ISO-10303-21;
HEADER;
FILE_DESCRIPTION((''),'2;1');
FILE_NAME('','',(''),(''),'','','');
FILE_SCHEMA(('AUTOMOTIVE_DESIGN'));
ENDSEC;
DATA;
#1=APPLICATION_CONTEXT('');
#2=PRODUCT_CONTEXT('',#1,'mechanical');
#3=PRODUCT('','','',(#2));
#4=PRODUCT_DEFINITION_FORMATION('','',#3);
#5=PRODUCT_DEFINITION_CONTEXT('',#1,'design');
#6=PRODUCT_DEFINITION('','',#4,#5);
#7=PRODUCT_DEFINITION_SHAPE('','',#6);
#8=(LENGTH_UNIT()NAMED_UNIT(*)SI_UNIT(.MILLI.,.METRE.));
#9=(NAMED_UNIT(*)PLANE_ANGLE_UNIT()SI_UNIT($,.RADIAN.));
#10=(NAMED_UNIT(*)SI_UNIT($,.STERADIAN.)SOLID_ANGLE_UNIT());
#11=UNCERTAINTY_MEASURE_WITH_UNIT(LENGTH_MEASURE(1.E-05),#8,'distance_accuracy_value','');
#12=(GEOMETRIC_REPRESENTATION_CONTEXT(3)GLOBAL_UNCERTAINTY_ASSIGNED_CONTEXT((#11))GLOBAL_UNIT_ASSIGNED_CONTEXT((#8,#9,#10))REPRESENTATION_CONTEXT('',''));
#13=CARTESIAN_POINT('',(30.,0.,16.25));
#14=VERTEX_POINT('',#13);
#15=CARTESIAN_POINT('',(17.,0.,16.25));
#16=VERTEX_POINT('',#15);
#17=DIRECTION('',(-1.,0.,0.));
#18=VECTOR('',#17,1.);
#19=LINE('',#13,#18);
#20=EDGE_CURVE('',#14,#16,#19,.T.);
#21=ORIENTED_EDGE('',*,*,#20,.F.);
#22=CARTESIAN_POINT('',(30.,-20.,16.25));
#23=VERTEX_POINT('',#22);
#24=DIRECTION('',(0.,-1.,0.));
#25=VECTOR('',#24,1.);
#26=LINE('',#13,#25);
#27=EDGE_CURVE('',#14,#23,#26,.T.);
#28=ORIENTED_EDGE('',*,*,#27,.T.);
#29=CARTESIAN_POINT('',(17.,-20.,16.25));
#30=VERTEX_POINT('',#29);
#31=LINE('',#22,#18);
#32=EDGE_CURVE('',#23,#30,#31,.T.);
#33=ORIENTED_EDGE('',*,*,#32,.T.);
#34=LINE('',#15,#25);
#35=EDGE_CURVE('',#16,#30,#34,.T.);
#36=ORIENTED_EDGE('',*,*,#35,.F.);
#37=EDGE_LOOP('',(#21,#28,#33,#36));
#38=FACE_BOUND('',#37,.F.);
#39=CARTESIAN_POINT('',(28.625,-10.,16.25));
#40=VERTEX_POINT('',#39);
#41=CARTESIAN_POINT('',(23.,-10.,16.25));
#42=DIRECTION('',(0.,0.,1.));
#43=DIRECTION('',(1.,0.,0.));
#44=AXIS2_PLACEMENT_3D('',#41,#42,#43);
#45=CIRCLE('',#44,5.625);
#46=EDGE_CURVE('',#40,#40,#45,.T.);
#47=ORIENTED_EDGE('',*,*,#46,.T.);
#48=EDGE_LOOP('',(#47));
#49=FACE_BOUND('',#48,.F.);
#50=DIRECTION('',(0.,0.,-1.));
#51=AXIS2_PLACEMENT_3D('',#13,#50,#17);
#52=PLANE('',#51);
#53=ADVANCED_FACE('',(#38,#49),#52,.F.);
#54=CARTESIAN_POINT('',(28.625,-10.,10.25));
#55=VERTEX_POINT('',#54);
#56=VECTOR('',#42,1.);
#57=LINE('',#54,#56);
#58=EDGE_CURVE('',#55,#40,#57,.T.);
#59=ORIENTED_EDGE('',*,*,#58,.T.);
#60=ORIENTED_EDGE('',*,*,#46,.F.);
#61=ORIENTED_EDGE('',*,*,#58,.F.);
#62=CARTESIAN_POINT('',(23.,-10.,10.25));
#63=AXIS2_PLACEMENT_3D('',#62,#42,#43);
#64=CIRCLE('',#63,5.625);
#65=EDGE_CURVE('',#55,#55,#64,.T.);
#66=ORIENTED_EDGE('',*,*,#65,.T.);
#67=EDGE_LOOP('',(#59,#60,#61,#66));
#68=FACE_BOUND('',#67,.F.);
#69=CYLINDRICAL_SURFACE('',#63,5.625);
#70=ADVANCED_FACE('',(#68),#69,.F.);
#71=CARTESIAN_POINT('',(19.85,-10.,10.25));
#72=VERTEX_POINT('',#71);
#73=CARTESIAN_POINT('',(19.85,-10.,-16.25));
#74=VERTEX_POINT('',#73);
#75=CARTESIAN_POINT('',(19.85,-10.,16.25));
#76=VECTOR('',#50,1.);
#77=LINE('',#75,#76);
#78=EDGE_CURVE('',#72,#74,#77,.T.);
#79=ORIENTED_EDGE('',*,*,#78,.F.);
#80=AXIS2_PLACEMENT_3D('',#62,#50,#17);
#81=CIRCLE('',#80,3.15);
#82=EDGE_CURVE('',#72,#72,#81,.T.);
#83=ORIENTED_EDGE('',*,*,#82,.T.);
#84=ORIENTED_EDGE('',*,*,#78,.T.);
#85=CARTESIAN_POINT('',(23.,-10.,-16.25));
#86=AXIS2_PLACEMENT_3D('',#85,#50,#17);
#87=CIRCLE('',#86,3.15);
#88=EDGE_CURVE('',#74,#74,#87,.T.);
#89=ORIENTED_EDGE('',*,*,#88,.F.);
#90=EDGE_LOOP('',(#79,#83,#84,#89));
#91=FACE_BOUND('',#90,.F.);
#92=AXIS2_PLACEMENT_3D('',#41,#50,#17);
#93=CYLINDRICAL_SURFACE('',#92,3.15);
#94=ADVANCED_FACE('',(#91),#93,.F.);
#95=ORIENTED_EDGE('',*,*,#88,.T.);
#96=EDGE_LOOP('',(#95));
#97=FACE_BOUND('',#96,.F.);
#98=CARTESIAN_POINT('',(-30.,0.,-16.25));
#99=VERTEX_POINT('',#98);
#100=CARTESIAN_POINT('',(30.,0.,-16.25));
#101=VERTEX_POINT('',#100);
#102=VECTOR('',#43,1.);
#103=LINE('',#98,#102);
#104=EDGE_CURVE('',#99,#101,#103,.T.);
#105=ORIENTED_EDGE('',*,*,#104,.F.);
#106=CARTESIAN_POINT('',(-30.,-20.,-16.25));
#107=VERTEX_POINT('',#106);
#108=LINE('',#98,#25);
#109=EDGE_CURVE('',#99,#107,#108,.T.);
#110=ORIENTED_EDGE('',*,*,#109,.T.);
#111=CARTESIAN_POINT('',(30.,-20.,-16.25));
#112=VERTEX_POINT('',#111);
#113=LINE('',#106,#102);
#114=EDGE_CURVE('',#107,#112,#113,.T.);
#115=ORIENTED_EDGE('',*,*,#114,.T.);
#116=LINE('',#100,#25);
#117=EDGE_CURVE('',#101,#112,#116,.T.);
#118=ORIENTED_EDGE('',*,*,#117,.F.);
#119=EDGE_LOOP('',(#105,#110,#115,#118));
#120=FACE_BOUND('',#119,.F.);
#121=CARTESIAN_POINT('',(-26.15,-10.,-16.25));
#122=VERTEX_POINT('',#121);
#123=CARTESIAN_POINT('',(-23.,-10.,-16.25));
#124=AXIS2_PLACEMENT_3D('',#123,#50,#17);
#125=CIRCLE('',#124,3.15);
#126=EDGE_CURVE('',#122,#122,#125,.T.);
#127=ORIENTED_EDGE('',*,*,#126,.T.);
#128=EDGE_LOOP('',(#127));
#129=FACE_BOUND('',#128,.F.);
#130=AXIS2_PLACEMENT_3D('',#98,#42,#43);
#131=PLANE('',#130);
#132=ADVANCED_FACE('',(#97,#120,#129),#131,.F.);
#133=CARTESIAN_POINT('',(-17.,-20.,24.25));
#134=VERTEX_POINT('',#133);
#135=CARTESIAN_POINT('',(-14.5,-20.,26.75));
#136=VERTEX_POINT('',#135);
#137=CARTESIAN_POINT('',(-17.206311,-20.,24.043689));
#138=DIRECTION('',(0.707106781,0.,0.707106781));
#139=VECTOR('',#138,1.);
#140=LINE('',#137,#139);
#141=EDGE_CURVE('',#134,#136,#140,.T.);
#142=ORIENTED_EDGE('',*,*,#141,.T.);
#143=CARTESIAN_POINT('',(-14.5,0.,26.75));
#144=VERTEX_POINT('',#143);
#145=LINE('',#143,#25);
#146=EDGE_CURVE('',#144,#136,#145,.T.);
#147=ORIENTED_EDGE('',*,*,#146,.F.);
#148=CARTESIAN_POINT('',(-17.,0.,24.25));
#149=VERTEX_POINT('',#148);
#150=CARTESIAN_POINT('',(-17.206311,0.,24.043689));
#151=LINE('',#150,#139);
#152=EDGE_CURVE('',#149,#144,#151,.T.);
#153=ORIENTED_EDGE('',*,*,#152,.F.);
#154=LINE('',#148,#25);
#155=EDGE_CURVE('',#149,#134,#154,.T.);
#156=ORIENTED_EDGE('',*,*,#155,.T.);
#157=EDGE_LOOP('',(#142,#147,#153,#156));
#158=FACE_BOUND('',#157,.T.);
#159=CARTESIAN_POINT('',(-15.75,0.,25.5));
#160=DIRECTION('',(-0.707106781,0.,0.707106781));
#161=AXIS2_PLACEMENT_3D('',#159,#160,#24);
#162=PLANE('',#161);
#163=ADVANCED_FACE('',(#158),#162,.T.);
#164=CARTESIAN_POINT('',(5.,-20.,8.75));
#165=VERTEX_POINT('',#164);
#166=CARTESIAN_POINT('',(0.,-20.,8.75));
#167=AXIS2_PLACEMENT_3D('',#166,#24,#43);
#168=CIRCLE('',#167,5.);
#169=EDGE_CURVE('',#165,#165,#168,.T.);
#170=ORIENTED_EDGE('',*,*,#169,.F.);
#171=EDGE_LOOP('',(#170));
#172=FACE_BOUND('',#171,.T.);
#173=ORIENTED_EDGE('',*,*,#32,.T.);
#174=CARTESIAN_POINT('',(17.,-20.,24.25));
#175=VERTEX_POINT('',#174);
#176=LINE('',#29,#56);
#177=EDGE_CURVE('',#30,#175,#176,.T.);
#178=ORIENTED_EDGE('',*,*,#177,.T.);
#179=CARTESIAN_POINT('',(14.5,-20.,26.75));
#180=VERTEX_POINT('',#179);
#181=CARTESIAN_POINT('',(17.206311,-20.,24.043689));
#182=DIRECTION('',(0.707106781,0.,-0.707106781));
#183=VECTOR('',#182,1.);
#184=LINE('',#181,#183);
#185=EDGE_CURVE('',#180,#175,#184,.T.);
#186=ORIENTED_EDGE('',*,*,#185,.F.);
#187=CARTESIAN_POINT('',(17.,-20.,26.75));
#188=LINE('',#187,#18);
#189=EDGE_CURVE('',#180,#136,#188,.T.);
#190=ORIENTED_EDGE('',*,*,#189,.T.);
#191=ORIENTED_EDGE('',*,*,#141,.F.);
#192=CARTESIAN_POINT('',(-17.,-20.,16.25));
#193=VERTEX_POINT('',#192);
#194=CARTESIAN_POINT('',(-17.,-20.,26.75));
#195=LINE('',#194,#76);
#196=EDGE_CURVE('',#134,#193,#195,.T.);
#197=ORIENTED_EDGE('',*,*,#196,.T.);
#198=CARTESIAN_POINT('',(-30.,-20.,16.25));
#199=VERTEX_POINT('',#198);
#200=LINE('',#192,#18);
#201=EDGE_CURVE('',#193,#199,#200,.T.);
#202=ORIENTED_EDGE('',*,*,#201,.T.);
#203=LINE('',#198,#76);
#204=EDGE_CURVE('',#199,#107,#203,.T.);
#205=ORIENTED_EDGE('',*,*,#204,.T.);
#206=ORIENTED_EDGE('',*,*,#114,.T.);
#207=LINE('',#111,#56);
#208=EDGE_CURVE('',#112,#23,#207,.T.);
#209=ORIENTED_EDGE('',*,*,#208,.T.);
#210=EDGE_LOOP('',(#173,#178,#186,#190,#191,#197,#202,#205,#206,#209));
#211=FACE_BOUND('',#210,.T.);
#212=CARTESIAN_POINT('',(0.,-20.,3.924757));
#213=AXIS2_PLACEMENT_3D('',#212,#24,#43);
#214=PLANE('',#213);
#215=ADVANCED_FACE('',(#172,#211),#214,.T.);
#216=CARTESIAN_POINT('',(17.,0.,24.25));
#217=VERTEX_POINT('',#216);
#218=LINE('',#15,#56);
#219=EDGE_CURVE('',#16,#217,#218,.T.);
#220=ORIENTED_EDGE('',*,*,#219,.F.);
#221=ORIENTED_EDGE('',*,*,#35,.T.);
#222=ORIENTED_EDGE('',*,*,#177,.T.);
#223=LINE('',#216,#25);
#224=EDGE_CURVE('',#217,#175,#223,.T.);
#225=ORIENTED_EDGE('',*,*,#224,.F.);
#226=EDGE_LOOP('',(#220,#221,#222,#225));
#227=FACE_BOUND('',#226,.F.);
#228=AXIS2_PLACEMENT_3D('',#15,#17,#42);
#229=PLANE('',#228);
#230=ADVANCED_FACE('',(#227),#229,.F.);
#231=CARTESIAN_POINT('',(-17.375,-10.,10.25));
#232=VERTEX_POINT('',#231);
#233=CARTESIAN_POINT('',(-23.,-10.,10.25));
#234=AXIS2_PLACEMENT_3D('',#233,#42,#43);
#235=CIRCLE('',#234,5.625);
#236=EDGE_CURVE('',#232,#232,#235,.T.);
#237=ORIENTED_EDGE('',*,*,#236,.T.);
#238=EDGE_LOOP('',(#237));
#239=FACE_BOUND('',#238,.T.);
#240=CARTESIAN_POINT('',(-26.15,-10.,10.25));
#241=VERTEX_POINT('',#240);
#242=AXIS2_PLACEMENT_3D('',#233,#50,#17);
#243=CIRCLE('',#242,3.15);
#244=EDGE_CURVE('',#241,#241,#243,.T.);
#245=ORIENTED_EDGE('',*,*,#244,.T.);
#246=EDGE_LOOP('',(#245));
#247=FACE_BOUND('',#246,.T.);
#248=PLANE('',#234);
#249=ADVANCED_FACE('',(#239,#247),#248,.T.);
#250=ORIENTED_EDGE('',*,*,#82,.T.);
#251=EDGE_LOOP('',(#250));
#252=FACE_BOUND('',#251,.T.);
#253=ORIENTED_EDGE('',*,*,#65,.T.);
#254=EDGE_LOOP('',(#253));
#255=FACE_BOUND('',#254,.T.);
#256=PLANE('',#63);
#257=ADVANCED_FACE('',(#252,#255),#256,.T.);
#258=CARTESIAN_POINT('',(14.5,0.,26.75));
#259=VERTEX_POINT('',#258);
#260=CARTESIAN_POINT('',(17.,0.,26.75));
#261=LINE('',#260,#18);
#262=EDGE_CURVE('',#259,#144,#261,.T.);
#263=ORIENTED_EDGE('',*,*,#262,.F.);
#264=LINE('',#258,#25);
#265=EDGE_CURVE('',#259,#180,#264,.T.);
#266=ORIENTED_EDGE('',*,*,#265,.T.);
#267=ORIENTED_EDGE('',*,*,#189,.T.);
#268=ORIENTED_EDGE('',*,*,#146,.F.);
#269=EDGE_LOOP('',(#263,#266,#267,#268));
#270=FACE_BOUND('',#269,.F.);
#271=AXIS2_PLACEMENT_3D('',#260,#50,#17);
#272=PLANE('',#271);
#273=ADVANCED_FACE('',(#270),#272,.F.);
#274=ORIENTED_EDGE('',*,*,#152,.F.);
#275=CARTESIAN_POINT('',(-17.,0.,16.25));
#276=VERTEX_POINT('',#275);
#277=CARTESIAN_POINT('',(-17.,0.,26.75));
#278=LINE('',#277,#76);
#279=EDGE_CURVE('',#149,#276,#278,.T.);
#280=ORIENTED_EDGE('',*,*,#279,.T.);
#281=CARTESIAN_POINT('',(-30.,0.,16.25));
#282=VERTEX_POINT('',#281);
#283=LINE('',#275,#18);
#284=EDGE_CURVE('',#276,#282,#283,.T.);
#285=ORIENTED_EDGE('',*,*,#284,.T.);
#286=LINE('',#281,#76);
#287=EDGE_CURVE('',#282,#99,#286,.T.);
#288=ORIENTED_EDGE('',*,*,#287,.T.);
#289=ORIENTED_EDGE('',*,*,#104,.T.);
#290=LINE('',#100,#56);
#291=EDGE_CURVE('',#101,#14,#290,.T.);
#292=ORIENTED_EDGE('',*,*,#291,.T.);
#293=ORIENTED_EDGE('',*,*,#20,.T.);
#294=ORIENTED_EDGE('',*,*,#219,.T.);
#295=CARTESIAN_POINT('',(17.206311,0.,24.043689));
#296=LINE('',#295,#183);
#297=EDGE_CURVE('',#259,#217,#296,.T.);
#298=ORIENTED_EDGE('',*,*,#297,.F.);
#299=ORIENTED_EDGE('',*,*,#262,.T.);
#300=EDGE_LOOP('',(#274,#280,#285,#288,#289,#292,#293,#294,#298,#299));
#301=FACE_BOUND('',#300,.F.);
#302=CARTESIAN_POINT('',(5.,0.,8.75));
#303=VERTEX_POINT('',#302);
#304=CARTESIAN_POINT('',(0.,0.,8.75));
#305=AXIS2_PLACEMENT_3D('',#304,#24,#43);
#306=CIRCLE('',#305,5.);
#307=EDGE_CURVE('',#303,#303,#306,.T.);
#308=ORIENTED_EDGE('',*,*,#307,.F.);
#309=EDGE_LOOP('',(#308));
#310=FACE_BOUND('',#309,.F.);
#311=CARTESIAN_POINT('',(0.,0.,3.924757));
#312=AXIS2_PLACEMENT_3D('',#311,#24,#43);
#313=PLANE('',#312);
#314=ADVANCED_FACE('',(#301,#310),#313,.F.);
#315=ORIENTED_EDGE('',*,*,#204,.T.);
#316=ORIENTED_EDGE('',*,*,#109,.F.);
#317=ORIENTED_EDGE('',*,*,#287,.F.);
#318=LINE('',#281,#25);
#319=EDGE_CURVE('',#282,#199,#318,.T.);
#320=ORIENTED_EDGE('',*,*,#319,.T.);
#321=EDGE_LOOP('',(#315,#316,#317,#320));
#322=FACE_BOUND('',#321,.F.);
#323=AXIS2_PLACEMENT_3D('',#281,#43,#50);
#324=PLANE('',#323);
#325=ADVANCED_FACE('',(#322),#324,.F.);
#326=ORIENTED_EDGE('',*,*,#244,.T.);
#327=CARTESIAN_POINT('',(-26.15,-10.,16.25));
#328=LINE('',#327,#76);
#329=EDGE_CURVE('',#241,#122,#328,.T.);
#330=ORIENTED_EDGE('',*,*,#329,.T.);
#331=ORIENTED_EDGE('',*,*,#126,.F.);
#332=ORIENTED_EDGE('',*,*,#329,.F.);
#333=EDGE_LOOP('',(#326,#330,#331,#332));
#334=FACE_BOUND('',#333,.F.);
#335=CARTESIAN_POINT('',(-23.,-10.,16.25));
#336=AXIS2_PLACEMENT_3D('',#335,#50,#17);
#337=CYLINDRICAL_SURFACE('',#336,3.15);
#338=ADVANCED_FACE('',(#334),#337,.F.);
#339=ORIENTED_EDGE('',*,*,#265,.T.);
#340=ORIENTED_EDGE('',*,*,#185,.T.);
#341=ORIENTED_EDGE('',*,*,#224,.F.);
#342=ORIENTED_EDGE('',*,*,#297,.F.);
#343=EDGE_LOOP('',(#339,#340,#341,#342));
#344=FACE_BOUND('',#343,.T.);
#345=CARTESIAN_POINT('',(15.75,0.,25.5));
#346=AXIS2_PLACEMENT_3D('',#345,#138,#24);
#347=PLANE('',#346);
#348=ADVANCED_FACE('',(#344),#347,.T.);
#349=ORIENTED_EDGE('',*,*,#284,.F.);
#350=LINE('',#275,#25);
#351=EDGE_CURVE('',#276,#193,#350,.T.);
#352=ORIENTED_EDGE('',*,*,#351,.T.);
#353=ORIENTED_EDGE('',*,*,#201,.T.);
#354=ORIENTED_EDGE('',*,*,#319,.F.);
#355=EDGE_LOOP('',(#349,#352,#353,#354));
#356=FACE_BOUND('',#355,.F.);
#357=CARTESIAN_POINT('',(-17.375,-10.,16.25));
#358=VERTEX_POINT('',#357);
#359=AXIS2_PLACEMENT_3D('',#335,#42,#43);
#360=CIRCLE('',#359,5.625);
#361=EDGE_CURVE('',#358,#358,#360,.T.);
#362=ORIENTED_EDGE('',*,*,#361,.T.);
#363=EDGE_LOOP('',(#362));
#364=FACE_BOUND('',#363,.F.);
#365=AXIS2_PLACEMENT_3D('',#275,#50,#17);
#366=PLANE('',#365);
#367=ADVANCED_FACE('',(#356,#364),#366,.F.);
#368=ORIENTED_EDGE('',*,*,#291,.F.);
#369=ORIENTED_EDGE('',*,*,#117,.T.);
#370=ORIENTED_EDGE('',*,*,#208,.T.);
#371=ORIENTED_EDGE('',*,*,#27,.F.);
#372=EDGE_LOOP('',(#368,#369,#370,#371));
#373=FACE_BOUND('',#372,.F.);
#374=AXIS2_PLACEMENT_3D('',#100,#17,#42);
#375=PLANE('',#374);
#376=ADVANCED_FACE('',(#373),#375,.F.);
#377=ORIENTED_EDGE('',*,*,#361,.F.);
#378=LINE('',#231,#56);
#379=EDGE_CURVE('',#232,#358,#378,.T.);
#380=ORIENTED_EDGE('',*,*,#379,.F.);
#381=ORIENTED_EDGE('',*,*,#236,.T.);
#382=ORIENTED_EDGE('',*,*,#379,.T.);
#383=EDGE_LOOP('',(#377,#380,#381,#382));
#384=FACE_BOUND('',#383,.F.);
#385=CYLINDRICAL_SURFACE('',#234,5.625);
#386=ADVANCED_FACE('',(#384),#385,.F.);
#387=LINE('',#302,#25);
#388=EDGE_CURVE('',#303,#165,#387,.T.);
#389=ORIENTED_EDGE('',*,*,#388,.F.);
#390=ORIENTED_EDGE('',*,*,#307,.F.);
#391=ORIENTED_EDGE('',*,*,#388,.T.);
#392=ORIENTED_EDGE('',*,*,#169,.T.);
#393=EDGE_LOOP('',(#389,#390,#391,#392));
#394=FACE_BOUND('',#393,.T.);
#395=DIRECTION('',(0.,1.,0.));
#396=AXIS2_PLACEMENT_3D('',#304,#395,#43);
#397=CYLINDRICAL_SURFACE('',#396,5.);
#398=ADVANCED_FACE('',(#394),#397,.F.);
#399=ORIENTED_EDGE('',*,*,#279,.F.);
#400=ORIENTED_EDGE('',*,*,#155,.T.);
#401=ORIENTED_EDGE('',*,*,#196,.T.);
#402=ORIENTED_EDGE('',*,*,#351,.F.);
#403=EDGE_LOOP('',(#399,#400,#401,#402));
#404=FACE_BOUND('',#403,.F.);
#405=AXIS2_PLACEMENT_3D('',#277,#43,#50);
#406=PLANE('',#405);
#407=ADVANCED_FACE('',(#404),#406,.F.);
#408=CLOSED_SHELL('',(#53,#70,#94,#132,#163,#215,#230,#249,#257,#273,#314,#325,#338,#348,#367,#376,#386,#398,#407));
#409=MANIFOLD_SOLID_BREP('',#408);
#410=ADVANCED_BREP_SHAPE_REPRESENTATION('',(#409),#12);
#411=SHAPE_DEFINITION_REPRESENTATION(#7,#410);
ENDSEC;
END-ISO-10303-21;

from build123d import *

# Parameters (mm, degrees)
F0_R           = 5
F1_DEPTH       = 20
F3_D           = 6.3
F3_CBORE_D     = 11.25
F3_CBORE_DEPTH = 6
F4_SIZE        = 2.5


with BuildPart() as f1:
    # F0 (on Front) → F1 (new body)
    with BuildSketch(Plane.XZ):
        Polygon((-30, 16.25), (-30, -16.25), (30, -16.25), (30, 16.25), (17, 16.25), (17, 26.75), (-17, 26.75), (-17, 16.25), align=None)
        with Locations((0, 8.75)):
            Circle(F0_R, mode=Mode.SUBTRACT)
    extrude(amount=F1_DEPTH)

    # F3 (through all)
    with Locations(Plane.XY.offset(16.25)):
        with Locations((23, -10), (-23, -10)):
            CounterBoreHole(F3_D / 2, F3_CBORE_D / 2, F3_CBORE_DEPTH)

    # F4
    f4_edges = [f1.edges().sort_by_distance(p)[0] for p in [
        (17, -10, 26.75),
        (-17, -10, 26.75),
    ]]
    chamfer(f4_edges, length=F4_SIZE)


solid = f1.part
